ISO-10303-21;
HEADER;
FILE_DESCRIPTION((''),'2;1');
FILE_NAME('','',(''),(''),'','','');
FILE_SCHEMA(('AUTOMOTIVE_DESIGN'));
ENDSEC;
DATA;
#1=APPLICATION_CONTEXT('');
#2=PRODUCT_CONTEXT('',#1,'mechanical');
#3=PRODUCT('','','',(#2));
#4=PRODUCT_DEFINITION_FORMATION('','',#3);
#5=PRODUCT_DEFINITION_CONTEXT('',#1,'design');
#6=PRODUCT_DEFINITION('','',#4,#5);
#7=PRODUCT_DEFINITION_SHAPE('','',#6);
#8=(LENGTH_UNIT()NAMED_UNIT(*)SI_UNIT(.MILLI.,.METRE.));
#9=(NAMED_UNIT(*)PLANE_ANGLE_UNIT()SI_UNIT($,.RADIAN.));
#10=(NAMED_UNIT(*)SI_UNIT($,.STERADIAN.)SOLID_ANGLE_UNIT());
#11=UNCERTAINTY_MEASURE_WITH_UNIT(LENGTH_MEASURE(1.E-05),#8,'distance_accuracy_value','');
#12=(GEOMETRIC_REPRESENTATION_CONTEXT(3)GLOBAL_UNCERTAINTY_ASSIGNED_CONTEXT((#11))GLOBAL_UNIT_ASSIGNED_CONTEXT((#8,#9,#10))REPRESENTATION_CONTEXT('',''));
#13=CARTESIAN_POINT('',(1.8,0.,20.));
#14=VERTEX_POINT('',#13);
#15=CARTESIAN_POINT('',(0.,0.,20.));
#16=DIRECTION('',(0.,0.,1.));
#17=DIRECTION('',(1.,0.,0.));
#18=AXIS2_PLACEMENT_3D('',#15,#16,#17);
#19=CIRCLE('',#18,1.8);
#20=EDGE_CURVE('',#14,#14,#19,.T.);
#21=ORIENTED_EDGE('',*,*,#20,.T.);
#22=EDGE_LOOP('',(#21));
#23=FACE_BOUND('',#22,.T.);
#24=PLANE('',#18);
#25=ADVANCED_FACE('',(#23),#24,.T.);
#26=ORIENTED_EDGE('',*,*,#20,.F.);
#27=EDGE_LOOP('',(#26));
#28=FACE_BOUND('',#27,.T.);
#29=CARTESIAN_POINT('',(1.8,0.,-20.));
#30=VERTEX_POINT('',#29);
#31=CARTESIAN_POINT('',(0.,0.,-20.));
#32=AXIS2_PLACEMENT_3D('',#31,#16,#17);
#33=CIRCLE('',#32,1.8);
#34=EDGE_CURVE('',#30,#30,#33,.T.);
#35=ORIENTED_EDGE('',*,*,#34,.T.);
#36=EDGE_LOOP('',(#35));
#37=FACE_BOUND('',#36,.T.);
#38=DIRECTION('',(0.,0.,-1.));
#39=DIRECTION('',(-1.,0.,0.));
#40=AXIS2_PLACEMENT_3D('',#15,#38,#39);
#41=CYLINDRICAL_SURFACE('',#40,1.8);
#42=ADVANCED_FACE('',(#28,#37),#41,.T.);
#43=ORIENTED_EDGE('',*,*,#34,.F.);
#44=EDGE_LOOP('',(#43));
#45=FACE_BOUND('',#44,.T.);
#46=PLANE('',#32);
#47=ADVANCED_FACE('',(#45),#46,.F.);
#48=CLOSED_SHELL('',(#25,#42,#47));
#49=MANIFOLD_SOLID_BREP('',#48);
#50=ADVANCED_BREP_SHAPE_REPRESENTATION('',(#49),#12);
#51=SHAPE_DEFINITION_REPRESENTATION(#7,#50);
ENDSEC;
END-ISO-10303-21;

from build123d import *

# Parameters (mm, degrees)
SCHIZZO1_R                   = 1.8
ESTRUSIONE_ESTRUSIONE1_DEPTH = 20


with BuildPart() as part:
    # Schizzo1 → Estrusione-Estrusione1 (new body, symmetric)
    with BuildSketch(Plane.XY):
        Circle(SCHIZZO1_R)
    extrude(amount=ESTRUSIONE_ESTRUSIONE1_DEPTH, both=True)


solid = part.part
